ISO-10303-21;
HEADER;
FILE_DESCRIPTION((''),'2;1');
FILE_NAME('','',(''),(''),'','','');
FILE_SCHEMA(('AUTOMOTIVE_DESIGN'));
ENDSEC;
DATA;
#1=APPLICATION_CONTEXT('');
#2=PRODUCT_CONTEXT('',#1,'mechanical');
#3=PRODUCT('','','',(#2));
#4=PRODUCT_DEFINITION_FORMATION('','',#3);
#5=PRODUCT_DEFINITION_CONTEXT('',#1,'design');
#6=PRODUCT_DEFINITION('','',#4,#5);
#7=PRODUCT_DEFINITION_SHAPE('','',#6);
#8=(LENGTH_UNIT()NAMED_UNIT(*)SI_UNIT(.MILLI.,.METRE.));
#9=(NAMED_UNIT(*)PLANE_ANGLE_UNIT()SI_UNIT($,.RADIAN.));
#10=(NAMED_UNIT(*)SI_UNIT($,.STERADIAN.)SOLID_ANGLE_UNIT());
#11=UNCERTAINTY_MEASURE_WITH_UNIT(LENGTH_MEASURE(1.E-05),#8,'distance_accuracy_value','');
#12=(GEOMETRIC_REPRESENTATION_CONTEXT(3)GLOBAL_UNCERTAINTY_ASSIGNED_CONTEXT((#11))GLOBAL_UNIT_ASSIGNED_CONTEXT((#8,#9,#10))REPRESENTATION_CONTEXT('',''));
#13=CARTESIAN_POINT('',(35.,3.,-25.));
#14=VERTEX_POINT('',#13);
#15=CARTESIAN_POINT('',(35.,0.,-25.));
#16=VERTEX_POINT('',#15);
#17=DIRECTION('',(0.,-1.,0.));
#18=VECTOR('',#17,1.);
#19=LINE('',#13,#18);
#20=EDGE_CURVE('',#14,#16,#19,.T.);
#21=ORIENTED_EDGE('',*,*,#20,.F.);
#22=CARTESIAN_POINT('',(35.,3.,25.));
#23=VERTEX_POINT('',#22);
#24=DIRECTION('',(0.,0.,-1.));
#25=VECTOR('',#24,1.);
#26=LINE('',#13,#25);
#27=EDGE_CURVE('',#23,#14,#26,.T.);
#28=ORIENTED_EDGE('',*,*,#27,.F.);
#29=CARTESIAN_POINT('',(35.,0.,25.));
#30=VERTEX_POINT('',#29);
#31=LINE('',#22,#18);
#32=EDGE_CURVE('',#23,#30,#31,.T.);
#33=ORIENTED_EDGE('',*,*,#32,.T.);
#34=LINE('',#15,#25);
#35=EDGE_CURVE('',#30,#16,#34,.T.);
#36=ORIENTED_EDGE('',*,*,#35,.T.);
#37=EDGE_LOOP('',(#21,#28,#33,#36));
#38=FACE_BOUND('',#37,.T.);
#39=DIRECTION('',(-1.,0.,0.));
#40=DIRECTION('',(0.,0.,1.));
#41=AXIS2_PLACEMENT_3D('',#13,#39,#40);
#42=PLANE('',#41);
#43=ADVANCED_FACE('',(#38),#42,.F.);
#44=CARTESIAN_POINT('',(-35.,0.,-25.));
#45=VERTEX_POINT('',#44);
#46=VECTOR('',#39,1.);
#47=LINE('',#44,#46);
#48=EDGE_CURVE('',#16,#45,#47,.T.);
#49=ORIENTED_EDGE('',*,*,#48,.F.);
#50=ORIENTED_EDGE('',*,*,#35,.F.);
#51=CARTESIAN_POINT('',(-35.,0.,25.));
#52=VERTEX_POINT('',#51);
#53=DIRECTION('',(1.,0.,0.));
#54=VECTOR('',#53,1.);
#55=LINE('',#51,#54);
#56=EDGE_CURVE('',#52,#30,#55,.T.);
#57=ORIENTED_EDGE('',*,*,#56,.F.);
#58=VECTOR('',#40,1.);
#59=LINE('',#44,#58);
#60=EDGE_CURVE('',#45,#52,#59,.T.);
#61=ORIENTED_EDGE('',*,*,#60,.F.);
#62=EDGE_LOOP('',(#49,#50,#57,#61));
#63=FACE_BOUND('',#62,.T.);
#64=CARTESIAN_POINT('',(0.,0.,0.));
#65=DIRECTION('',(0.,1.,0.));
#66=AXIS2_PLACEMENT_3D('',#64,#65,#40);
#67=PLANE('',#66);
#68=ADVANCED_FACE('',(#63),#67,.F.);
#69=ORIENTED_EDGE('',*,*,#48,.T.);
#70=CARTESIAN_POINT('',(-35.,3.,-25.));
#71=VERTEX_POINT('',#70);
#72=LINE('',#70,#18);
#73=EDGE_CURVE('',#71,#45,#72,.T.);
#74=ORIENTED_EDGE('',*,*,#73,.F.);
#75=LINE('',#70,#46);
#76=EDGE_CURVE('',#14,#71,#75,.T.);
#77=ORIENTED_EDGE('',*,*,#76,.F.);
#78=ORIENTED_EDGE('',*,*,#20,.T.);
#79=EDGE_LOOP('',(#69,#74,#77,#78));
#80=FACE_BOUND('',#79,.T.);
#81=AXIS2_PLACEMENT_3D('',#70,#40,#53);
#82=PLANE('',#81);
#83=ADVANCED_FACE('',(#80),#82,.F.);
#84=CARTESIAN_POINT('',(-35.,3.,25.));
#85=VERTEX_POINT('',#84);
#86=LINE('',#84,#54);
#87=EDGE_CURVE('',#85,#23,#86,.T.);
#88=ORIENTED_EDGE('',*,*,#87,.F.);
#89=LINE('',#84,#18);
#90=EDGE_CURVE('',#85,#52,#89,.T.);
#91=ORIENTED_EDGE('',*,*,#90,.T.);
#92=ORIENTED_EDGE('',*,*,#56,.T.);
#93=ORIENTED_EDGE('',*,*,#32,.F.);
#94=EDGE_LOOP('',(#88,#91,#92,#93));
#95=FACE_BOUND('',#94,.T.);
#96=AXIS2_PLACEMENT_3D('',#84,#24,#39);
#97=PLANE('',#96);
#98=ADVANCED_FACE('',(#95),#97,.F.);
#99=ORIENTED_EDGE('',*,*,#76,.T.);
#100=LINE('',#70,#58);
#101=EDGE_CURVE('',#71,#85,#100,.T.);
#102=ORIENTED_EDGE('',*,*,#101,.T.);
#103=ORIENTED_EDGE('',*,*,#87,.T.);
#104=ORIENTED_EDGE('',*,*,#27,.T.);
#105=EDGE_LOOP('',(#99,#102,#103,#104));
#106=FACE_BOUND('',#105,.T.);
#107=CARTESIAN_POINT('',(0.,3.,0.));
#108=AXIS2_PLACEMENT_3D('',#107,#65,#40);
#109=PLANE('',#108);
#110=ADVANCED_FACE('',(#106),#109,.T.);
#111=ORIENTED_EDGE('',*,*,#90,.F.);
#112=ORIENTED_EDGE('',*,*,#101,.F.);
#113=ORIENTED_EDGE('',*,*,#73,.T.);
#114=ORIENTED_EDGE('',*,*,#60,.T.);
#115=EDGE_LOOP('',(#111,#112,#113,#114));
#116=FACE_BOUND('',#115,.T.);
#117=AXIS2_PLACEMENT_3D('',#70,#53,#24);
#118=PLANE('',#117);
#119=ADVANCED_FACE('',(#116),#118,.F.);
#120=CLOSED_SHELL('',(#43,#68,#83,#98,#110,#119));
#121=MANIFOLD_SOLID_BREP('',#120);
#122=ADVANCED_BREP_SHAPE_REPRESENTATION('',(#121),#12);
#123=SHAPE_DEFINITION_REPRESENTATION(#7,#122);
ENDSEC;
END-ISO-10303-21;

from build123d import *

# Parameters (mm, degrees)
CROQUIS1_W              = 70
CROQUIS1_H              = 50
SALIENTE_EXTRUIR1_DEPTH = 3


with BuildPart() as part:
    # Croquis1 → Saliente-Extruir1 (new body)
    with BuildSketch(Plane(origin=(0, 0, 0), x_dir=(1, 0, 0), z_dir=(0, 1, 0))):
        Rectangle(CROQUIS1_W, CROQUIS1_H)
    extrude(amount=SALIENTE_EXTRUIR1_DEPTH)


solid = part.part
